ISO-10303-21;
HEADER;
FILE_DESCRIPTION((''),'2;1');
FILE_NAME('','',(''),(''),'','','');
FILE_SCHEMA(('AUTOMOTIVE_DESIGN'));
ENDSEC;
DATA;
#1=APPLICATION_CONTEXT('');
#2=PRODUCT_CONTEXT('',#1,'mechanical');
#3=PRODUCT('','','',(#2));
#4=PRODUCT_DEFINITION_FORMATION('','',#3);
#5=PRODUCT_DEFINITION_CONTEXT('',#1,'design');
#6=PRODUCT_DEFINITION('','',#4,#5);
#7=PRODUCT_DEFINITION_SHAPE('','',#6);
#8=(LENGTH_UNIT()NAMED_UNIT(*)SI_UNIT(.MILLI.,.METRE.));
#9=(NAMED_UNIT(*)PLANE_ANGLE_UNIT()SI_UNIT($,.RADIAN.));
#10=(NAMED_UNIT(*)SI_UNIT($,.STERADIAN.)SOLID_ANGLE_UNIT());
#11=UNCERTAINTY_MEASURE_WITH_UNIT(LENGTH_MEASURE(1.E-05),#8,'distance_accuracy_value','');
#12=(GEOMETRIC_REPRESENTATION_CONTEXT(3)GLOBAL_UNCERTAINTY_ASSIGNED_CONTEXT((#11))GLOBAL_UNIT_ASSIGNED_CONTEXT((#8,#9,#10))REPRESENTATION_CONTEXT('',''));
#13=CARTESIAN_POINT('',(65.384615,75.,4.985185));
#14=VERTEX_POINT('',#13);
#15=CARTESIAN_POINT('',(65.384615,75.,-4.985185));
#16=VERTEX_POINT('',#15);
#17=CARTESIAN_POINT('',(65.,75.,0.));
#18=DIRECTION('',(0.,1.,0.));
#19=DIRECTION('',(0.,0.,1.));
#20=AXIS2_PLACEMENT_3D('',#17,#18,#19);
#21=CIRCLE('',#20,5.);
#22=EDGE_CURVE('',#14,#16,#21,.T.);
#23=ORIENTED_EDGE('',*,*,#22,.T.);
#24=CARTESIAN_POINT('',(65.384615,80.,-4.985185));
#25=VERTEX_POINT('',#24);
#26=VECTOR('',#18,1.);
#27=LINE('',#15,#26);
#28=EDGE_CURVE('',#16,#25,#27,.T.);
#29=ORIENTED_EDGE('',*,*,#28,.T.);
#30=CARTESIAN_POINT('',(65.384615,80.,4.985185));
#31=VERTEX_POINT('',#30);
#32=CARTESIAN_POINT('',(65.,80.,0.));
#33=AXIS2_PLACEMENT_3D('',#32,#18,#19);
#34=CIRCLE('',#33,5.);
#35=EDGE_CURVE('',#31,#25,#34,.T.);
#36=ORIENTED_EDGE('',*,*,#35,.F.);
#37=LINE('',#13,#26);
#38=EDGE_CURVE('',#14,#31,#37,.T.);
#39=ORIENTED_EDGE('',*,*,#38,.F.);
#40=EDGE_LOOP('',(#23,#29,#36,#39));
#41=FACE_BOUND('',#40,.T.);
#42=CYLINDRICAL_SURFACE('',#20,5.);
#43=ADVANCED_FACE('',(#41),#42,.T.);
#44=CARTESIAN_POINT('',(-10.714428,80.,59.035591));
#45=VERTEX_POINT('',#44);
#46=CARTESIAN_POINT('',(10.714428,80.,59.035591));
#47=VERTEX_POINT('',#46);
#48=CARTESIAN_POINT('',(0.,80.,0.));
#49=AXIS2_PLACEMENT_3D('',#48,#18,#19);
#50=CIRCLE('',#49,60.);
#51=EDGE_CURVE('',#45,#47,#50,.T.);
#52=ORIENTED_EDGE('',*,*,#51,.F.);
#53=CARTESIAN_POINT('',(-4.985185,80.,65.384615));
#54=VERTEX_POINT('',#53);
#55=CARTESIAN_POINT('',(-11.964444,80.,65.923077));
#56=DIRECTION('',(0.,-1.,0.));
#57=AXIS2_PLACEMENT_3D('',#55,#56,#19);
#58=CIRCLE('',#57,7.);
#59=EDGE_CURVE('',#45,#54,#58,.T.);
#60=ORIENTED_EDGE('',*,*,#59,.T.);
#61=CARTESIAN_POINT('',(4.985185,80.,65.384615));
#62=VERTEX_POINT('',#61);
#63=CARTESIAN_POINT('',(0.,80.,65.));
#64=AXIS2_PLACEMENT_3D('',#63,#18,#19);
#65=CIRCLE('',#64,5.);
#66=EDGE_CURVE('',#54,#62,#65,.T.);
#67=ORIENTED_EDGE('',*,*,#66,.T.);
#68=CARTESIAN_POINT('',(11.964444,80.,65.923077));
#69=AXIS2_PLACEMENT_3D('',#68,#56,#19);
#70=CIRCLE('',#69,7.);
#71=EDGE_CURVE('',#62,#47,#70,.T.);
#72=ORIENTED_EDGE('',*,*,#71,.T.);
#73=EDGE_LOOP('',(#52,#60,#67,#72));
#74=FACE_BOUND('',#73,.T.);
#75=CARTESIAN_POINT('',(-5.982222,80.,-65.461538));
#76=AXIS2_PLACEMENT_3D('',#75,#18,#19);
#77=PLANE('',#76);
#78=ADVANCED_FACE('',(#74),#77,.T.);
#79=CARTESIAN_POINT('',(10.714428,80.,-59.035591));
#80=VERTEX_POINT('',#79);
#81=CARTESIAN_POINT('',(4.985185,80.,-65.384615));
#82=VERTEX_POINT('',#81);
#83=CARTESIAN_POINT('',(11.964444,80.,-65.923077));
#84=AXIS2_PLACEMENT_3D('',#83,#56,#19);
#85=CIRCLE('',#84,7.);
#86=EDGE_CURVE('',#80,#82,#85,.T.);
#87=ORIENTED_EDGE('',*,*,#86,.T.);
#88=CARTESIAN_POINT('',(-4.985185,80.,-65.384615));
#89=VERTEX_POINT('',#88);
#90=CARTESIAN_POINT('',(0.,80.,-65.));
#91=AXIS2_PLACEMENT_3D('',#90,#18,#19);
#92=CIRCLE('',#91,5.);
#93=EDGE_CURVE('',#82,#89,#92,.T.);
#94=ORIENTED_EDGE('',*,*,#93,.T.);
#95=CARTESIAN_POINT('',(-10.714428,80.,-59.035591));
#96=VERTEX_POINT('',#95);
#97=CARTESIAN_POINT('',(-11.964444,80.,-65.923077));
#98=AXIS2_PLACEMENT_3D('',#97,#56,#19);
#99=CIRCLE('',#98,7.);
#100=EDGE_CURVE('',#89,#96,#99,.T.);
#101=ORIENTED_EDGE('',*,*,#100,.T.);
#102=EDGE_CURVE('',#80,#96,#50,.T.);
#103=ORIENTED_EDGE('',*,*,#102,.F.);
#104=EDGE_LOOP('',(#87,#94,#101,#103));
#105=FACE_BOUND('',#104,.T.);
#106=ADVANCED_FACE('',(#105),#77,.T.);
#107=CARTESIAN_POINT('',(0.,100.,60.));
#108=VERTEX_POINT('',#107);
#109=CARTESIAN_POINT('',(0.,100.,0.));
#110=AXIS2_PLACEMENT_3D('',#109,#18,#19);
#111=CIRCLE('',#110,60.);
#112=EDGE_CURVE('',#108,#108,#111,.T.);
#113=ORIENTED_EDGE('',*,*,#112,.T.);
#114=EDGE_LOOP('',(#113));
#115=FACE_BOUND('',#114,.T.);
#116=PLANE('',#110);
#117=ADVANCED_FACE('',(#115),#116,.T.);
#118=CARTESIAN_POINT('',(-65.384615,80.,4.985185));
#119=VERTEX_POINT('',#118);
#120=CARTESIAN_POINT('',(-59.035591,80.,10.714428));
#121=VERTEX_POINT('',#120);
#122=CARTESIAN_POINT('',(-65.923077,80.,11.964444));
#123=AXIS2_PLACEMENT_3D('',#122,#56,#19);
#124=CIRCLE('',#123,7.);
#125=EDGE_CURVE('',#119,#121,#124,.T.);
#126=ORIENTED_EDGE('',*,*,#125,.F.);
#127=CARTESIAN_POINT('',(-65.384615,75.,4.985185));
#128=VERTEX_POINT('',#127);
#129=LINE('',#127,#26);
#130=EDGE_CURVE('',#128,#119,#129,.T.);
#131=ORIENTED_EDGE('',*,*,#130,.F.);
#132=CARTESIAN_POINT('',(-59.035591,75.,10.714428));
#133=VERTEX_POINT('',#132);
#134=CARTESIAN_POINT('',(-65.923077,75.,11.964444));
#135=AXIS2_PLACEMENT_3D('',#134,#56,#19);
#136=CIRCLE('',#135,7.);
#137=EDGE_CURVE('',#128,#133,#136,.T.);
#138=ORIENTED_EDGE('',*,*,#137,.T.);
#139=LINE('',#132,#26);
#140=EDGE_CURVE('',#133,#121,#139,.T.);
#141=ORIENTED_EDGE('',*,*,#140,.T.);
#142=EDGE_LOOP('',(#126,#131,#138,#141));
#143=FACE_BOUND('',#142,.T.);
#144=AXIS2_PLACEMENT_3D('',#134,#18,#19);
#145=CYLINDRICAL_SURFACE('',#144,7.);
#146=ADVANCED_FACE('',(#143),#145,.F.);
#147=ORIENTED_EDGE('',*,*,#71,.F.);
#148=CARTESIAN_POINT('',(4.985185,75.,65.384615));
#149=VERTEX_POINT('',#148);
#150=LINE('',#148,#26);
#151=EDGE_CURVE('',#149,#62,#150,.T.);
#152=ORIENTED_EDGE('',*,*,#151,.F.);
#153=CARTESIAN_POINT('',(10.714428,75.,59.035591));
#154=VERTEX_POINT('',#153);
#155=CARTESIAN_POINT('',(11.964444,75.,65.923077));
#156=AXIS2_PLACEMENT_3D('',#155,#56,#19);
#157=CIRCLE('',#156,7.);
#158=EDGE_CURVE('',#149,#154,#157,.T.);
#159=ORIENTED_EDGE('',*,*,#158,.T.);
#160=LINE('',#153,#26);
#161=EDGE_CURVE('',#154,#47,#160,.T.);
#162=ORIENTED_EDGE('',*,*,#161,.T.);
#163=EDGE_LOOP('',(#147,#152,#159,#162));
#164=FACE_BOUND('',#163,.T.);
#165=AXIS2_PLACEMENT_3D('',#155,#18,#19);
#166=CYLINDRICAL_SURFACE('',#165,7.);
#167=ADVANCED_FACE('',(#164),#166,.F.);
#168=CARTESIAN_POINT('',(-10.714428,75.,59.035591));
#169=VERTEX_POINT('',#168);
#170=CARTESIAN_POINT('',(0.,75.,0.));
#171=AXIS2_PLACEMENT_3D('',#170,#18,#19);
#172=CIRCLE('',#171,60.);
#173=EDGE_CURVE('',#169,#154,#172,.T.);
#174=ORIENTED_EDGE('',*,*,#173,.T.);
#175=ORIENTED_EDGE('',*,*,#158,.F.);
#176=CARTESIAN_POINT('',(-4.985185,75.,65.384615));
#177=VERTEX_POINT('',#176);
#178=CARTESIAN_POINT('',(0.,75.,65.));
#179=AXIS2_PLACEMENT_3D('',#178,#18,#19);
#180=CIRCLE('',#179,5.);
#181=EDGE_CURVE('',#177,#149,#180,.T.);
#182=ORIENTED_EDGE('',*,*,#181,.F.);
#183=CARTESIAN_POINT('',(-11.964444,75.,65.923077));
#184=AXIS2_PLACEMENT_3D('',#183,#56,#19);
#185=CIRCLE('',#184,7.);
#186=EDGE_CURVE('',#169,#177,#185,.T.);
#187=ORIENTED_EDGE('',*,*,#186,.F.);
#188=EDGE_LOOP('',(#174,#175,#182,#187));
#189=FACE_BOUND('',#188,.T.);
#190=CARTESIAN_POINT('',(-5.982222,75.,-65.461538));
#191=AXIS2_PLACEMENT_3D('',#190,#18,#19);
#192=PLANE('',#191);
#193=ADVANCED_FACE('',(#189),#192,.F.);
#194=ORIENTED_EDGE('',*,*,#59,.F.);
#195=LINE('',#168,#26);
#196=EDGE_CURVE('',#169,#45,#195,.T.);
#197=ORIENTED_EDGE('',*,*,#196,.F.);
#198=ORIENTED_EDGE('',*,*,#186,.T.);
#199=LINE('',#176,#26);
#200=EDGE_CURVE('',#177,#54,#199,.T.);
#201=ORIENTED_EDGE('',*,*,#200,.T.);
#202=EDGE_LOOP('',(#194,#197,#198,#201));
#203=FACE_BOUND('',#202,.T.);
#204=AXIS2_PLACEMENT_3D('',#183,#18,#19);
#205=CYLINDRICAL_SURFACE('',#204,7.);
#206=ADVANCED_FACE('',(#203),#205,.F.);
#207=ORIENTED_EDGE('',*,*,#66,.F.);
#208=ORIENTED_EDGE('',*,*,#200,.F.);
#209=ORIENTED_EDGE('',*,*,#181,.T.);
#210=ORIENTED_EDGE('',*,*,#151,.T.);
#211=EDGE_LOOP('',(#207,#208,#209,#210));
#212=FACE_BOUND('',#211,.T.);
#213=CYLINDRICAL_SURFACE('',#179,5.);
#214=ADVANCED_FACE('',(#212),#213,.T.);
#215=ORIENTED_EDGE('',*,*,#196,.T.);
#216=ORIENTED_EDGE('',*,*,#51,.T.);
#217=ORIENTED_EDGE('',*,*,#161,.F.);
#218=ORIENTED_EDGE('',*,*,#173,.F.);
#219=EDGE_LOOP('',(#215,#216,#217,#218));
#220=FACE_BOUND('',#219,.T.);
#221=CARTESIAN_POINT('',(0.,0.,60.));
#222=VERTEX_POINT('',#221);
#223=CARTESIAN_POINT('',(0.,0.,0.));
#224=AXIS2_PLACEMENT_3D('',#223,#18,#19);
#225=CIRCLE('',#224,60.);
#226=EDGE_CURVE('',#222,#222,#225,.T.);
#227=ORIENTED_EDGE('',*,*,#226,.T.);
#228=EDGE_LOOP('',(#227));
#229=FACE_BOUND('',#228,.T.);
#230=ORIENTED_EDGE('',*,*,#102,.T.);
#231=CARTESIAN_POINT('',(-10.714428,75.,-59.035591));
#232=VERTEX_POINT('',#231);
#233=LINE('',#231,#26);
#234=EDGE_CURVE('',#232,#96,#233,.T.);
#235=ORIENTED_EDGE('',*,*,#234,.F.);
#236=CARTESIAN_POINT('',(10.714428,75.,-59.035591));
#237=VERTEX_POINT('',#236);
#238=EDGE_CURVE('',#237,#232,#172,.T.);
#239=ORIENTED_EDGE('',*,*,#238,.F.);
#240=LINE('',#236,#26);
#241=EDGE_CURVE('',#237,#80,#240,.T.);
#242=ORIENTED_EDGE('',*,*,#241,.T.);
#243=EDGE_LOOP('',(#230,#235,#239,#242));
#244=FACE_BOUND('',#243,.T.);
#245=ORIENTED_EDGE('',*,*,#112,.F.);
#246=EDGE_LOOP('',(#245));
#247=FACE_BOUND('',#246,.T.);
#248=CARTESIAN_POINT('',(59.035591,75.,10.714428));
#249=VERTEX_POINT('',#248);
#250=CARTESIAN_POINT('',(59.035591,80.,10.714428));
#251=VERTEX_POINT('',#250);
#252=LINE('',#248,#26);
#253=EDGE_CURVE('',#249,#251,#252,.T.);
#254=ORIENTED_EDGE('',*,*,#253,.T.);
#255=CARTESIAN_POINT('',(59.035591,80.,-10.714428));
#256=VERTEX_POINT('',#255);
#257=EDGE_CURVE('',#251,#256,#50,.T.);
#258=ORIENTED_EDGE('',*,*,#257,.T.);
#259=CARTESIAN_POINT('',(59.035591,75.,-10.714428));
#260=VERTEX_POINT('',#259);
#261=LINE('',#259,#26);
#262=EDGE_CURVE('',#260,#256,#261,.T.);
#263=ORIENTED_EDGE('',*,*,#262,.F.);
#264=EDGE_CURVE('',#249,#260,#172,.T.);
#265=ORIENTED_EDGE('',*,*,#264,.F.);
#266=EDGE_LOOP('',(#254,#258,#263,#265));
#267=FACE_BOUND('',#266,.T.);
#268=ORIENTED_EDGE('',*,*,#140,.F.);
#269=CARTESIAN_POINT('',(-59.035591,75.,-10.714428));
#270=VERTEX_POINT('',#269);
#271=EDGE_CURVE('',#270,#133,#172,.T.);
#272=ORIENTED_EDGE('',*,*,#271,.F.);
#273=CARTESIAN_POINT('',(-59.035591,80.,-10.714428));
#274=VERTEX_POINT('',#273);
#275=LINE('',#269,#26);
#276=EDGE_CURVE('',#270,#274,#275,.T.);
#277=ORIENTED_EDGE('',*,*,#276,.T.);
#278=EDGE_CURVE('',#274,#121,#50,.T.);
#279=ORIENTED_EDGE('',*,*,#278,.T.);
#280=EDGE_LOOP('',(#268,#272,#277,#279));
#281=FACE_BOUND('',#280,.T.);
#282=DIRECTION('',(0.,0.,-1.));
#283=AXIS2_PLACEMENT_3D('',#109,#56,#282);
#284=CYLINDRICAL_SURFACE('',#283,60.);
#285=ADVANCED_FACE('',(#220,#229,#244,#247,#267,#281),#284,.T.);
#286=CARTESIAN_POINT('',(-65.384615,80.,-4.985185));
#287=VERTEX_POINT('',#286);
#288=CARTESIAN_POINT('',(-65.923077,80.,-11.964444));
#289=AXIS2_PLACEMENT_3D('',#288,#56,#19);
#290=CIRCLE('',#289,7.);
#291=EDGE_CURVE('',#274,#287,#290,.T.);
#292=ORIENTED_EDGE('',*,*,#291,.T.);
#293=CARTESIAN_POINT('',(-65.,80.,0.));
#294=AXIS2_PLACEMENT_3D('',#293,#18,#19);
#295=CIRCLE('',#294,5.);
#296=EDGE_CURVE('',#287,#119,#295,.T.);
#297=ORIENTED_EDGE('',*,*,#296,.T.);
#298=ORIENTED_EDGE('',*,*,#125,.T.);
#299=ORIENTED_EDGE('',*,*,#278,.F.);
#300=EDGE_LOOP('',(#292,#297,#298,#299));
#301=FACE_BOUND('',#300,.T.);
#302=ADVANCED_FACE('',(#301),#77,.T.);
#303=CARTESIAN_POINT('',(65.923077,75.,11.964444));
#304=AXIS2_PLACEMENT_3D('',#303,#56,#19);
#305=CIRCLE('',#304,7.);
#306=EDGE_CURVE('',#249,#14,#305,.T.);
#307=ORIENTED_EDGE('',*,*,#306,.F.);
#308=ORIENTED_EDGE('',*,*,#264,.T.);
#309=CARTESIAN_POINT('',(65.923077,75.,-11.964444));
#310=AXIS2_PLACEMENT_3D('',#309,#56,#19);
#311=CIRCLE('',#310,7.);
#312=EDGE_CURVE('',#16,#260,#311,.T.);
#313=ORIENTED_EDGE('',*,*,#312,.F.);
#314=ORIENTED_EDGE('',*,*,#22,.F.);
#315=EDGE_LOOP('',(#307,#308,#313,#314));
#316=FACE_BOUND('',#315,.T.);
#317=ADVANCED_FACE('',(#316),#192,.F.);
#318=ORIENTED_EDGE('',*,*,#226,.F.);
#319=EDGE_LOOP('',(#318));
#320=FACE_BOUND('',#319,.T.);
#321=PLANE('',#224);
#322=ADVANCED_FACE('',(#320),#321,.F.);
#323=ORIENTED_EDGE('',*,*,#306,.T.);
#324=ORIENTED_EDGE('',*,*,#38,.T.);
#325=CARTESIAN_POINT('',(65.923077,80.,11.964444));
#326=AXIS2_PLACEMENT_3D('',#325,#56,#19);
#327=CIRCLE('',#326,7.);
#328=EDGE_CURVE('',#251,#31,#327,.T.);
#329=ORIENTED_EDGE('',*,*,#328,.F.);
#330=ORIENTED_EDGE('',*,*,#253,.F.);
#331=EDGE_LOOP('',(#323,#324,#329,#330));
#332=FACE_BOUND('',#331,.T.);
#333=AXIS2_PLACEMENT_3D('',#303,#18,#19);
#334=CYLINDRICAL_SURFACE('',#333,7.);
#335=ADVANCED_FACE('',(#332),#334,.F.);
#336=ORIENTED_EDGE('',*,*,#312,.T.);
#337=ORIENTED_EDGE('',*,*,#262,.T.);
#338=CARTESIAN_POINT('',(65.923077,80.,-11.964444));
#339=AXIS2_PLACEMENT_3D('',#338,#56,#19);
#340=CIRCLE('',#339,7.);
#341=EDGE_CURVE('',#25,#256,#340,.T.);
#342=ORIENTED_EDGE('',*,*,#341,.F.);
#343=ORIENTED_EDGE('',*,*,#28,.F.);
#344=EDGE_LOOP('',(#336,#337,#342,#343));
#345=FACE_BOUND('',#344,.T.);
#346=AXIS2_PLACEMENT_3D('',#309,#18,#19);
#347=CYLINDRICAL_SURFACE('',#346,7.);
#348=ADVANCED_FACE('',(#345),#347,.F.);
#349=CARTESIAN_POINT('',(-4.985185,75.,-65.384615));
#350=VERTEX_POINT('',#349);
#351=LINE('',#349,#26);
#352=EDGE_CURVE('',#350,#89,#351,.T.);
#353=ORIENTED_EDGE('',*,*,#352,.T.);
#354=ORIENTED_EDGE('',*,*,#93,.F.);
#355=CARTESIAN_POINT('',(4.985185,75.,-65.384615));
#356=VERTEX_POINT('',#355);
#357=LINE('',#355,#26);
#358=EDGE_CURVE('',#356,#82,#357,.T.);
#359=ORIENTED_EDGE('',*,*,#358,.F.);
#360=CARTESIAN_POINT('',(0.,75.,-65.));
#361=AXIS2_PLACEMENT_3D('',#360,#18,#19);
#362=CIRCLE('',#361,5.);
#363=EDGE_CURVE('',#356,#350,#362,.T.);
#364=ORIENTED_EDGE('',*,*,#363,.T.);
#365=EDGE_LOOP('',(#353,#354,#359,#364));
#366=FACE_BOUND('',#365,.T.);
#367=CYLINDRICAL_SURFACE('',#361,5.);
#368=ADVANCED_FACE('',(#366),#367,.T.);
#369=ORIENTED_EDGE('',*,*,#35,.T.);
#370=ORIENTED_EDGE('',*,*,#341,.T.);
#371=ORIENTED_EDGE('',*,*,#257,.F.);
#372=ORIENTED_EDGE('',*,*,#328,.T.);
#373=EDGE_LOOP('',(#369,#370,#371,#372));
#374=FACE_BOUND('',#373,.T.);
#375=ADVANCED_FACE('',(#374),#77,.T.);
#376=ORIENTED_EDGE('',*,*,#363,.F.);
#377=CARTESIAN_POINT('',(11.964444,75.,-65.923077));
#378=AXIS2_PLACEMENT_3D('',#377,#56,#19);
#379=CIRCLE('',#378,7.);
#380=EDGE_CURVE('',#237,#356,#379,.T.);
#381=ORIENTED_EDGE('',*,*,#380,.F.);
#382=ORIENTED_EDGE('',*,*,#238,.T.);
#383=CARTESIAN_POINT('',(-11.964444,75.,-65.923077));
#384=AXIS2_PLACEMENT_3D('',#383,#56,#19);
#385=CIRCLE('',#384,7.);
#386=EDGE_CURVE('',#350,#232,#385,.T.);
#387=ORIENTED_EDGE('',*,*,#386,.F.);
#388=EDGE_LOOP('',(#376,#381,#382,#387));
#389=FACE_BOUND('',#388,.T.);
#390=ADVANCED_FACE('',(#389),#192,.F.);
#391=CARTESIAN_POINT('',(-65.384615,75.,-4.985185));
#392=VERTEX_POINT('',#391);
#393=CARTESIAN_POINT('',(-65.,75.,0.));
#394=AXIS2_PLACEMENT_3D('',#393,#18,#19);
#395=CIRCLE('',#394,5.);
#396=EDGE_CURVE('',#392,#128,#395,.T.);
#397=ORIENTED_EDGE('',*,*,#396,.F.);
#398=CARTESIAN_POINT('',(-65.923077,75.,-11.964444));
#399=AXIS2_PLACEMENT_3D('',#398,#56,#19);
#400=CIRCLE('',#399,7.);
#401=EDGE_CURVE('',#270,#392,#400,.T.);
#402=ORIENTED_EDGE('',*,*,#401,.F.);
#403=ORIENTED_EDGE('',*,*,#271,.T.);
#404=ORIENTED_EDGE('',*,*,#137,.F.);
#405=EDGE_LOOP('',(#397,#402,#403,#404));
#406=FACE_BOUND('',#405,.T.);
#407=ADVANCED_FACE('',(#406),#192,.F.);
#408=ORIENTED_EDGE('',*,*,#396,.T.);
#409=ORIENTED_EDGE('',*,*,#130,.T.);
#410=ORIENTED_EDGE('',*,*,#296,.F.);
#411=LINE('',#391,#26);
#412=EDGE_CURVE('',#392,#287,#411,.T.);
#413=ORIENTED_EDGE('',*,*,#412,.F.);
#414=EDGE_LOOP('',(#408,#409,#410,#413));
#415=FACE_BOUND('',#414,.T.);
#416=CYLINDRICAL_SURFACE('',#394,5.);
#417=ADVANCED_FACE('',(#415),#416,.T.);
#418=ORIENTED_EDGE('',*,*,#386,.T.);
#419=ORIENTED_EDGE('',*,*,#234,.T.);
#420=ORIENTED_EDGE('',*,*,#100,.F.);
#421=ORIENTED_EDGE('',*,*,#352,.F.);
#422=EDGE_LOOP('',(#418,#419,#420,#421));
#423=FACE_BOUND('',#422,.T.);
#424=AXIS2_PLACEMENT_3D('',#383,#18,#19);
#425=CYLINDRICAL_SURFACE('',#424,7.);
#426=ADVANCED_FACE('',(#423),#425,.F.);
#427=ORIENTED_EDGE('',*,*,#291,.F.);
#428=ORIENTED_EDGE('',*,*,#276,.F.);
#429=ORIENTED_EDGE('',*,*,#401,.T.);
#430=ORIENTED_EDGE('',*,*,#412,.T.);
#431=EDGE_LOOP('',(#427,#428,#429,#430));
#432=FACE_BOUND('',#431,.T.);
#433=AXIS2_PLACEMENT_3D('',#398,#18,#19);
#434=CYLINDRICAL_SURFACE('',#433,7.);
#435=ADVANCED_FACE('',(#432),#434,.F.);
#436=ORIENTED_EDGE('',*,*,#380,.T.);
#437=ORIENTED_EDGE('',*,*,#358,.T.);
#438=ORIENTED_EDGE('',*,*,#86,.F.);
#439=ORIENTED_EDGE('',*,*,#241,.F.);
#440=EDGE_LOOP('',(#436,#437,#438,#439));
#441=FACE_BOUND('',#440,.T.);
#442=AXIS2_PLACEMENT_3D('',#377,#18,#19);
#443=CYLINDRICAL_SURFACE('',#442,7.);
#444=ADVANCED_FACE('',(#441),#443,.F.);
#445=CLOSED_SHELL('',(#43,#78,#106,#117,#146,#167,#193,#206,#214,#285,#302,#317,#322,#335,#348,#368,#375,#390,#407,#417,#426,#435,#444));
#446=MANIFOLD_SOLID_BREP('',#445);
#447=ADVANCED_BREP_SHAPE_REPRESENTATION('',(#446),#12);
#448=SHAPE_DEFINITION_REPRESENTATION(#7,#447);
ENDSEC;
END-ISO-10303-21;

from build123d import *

# Parameters (mm, degrees)
SKETCH1_R           = 60
BOSS_EXTRUDE1_DEPTH = 100
BOSS_EXTRUDE2_START = -25
BOSS_EXTRUDE2_DEPTH = 5


with BuildPart() as part:
    # Sketch1 → Boss-Extrude1 (new body)
    with BuildSketch(Plane(origin=(0, 0, 0), x_dir=(1, 0, 0), z_dir=(0, 1, 0))):
        with Locations(Location((0, 0, 0), (0, 0, 270))):
            Circle(SKETCH1_R)
    extrude(amount=BOSS_EXTRUDE1_DEPTH)

    # Sketch2 → Boss-Extrude2 (add)
    with BuildSketch(Plane(origin=(0, 100, 0), x_dir=(1, 0, 0), z_dir=(0, 1, 0)).offset(BOSS_EXTRUDE2_START)):
        with BuildLine():
            ThreePointArc((-10.714427791, 59.035591274), (-42.426406871, 42.426406871), (-59.035591274, 10.714427791))
            ThreePointArc((-59.035591274, 10.714427791), (-61.233489712, 6.767544156), (-65.384615385, 4.985185153))
            ThreePointArc((-65.384615385, 4.985185153), (-70, 0), (-65.384615385, -4.985185153))
            ThreePointArc((-65.384615385, -4.985185153), (-61.233489712, -6.767544156), (-59.035591274, -10.714427791))
            ThreePointArc((-59.035591274, -10.714427791), (-42.426406871, -42.426406871), (-10.714427791, -59.035591274))
            ThreePointArc((-10.714427791, -59.035591274), (-6.767544156, -61.233489712), (-4.985185153, -65.384615385))
            ThreePointArc((-4.985185153, -65.384615385), (0, -70), (4.985185153, -65.384615385))
            ThreePointArc((4.985185153, -65.384615385), (6.767544156, -61.233489712), (10.714427791, -59.035591274))
            ThreePointArc((10.714427791, -59.035591274), (42.426406871, -42.426406871), (59.035591274, -10.714427791))
            ThreePointArc((59.035591274, -10.714427791), (61.233489712, -6.767544156), (65.384615385, -4.985185153))
            ThreePointArc((65.384615385, -4.985185153), (70, 0), (65.384615385, 4.985185153))
            ThreePointArc((65.384615385, 4.985185153), (61.233489712, 6.767544156), (59.035591274, 10.714427791))
            ThreePointArc((59.035591274, 10.714427791), (42.426406871, 42.426406871), (10.714427791, 59.035591274))
            ThreePointArc((10.714427791, 59.035591274), (6.767544156, 61.233489712), (4.985185153, 65.384615385))
            ThreePointArc((4.985185153, 65.384615385), (0, 70), (-4.985185153, 65.384615385))
            ThreePointArc((-4.985185153, 65.384615385), (-6.767544156, 61.233489712), (-10.714427791, 59.035591274))
        make_face()
    extrude(amount=BOSS_EXTRUDE2_DEPTH)


solid = part.part
